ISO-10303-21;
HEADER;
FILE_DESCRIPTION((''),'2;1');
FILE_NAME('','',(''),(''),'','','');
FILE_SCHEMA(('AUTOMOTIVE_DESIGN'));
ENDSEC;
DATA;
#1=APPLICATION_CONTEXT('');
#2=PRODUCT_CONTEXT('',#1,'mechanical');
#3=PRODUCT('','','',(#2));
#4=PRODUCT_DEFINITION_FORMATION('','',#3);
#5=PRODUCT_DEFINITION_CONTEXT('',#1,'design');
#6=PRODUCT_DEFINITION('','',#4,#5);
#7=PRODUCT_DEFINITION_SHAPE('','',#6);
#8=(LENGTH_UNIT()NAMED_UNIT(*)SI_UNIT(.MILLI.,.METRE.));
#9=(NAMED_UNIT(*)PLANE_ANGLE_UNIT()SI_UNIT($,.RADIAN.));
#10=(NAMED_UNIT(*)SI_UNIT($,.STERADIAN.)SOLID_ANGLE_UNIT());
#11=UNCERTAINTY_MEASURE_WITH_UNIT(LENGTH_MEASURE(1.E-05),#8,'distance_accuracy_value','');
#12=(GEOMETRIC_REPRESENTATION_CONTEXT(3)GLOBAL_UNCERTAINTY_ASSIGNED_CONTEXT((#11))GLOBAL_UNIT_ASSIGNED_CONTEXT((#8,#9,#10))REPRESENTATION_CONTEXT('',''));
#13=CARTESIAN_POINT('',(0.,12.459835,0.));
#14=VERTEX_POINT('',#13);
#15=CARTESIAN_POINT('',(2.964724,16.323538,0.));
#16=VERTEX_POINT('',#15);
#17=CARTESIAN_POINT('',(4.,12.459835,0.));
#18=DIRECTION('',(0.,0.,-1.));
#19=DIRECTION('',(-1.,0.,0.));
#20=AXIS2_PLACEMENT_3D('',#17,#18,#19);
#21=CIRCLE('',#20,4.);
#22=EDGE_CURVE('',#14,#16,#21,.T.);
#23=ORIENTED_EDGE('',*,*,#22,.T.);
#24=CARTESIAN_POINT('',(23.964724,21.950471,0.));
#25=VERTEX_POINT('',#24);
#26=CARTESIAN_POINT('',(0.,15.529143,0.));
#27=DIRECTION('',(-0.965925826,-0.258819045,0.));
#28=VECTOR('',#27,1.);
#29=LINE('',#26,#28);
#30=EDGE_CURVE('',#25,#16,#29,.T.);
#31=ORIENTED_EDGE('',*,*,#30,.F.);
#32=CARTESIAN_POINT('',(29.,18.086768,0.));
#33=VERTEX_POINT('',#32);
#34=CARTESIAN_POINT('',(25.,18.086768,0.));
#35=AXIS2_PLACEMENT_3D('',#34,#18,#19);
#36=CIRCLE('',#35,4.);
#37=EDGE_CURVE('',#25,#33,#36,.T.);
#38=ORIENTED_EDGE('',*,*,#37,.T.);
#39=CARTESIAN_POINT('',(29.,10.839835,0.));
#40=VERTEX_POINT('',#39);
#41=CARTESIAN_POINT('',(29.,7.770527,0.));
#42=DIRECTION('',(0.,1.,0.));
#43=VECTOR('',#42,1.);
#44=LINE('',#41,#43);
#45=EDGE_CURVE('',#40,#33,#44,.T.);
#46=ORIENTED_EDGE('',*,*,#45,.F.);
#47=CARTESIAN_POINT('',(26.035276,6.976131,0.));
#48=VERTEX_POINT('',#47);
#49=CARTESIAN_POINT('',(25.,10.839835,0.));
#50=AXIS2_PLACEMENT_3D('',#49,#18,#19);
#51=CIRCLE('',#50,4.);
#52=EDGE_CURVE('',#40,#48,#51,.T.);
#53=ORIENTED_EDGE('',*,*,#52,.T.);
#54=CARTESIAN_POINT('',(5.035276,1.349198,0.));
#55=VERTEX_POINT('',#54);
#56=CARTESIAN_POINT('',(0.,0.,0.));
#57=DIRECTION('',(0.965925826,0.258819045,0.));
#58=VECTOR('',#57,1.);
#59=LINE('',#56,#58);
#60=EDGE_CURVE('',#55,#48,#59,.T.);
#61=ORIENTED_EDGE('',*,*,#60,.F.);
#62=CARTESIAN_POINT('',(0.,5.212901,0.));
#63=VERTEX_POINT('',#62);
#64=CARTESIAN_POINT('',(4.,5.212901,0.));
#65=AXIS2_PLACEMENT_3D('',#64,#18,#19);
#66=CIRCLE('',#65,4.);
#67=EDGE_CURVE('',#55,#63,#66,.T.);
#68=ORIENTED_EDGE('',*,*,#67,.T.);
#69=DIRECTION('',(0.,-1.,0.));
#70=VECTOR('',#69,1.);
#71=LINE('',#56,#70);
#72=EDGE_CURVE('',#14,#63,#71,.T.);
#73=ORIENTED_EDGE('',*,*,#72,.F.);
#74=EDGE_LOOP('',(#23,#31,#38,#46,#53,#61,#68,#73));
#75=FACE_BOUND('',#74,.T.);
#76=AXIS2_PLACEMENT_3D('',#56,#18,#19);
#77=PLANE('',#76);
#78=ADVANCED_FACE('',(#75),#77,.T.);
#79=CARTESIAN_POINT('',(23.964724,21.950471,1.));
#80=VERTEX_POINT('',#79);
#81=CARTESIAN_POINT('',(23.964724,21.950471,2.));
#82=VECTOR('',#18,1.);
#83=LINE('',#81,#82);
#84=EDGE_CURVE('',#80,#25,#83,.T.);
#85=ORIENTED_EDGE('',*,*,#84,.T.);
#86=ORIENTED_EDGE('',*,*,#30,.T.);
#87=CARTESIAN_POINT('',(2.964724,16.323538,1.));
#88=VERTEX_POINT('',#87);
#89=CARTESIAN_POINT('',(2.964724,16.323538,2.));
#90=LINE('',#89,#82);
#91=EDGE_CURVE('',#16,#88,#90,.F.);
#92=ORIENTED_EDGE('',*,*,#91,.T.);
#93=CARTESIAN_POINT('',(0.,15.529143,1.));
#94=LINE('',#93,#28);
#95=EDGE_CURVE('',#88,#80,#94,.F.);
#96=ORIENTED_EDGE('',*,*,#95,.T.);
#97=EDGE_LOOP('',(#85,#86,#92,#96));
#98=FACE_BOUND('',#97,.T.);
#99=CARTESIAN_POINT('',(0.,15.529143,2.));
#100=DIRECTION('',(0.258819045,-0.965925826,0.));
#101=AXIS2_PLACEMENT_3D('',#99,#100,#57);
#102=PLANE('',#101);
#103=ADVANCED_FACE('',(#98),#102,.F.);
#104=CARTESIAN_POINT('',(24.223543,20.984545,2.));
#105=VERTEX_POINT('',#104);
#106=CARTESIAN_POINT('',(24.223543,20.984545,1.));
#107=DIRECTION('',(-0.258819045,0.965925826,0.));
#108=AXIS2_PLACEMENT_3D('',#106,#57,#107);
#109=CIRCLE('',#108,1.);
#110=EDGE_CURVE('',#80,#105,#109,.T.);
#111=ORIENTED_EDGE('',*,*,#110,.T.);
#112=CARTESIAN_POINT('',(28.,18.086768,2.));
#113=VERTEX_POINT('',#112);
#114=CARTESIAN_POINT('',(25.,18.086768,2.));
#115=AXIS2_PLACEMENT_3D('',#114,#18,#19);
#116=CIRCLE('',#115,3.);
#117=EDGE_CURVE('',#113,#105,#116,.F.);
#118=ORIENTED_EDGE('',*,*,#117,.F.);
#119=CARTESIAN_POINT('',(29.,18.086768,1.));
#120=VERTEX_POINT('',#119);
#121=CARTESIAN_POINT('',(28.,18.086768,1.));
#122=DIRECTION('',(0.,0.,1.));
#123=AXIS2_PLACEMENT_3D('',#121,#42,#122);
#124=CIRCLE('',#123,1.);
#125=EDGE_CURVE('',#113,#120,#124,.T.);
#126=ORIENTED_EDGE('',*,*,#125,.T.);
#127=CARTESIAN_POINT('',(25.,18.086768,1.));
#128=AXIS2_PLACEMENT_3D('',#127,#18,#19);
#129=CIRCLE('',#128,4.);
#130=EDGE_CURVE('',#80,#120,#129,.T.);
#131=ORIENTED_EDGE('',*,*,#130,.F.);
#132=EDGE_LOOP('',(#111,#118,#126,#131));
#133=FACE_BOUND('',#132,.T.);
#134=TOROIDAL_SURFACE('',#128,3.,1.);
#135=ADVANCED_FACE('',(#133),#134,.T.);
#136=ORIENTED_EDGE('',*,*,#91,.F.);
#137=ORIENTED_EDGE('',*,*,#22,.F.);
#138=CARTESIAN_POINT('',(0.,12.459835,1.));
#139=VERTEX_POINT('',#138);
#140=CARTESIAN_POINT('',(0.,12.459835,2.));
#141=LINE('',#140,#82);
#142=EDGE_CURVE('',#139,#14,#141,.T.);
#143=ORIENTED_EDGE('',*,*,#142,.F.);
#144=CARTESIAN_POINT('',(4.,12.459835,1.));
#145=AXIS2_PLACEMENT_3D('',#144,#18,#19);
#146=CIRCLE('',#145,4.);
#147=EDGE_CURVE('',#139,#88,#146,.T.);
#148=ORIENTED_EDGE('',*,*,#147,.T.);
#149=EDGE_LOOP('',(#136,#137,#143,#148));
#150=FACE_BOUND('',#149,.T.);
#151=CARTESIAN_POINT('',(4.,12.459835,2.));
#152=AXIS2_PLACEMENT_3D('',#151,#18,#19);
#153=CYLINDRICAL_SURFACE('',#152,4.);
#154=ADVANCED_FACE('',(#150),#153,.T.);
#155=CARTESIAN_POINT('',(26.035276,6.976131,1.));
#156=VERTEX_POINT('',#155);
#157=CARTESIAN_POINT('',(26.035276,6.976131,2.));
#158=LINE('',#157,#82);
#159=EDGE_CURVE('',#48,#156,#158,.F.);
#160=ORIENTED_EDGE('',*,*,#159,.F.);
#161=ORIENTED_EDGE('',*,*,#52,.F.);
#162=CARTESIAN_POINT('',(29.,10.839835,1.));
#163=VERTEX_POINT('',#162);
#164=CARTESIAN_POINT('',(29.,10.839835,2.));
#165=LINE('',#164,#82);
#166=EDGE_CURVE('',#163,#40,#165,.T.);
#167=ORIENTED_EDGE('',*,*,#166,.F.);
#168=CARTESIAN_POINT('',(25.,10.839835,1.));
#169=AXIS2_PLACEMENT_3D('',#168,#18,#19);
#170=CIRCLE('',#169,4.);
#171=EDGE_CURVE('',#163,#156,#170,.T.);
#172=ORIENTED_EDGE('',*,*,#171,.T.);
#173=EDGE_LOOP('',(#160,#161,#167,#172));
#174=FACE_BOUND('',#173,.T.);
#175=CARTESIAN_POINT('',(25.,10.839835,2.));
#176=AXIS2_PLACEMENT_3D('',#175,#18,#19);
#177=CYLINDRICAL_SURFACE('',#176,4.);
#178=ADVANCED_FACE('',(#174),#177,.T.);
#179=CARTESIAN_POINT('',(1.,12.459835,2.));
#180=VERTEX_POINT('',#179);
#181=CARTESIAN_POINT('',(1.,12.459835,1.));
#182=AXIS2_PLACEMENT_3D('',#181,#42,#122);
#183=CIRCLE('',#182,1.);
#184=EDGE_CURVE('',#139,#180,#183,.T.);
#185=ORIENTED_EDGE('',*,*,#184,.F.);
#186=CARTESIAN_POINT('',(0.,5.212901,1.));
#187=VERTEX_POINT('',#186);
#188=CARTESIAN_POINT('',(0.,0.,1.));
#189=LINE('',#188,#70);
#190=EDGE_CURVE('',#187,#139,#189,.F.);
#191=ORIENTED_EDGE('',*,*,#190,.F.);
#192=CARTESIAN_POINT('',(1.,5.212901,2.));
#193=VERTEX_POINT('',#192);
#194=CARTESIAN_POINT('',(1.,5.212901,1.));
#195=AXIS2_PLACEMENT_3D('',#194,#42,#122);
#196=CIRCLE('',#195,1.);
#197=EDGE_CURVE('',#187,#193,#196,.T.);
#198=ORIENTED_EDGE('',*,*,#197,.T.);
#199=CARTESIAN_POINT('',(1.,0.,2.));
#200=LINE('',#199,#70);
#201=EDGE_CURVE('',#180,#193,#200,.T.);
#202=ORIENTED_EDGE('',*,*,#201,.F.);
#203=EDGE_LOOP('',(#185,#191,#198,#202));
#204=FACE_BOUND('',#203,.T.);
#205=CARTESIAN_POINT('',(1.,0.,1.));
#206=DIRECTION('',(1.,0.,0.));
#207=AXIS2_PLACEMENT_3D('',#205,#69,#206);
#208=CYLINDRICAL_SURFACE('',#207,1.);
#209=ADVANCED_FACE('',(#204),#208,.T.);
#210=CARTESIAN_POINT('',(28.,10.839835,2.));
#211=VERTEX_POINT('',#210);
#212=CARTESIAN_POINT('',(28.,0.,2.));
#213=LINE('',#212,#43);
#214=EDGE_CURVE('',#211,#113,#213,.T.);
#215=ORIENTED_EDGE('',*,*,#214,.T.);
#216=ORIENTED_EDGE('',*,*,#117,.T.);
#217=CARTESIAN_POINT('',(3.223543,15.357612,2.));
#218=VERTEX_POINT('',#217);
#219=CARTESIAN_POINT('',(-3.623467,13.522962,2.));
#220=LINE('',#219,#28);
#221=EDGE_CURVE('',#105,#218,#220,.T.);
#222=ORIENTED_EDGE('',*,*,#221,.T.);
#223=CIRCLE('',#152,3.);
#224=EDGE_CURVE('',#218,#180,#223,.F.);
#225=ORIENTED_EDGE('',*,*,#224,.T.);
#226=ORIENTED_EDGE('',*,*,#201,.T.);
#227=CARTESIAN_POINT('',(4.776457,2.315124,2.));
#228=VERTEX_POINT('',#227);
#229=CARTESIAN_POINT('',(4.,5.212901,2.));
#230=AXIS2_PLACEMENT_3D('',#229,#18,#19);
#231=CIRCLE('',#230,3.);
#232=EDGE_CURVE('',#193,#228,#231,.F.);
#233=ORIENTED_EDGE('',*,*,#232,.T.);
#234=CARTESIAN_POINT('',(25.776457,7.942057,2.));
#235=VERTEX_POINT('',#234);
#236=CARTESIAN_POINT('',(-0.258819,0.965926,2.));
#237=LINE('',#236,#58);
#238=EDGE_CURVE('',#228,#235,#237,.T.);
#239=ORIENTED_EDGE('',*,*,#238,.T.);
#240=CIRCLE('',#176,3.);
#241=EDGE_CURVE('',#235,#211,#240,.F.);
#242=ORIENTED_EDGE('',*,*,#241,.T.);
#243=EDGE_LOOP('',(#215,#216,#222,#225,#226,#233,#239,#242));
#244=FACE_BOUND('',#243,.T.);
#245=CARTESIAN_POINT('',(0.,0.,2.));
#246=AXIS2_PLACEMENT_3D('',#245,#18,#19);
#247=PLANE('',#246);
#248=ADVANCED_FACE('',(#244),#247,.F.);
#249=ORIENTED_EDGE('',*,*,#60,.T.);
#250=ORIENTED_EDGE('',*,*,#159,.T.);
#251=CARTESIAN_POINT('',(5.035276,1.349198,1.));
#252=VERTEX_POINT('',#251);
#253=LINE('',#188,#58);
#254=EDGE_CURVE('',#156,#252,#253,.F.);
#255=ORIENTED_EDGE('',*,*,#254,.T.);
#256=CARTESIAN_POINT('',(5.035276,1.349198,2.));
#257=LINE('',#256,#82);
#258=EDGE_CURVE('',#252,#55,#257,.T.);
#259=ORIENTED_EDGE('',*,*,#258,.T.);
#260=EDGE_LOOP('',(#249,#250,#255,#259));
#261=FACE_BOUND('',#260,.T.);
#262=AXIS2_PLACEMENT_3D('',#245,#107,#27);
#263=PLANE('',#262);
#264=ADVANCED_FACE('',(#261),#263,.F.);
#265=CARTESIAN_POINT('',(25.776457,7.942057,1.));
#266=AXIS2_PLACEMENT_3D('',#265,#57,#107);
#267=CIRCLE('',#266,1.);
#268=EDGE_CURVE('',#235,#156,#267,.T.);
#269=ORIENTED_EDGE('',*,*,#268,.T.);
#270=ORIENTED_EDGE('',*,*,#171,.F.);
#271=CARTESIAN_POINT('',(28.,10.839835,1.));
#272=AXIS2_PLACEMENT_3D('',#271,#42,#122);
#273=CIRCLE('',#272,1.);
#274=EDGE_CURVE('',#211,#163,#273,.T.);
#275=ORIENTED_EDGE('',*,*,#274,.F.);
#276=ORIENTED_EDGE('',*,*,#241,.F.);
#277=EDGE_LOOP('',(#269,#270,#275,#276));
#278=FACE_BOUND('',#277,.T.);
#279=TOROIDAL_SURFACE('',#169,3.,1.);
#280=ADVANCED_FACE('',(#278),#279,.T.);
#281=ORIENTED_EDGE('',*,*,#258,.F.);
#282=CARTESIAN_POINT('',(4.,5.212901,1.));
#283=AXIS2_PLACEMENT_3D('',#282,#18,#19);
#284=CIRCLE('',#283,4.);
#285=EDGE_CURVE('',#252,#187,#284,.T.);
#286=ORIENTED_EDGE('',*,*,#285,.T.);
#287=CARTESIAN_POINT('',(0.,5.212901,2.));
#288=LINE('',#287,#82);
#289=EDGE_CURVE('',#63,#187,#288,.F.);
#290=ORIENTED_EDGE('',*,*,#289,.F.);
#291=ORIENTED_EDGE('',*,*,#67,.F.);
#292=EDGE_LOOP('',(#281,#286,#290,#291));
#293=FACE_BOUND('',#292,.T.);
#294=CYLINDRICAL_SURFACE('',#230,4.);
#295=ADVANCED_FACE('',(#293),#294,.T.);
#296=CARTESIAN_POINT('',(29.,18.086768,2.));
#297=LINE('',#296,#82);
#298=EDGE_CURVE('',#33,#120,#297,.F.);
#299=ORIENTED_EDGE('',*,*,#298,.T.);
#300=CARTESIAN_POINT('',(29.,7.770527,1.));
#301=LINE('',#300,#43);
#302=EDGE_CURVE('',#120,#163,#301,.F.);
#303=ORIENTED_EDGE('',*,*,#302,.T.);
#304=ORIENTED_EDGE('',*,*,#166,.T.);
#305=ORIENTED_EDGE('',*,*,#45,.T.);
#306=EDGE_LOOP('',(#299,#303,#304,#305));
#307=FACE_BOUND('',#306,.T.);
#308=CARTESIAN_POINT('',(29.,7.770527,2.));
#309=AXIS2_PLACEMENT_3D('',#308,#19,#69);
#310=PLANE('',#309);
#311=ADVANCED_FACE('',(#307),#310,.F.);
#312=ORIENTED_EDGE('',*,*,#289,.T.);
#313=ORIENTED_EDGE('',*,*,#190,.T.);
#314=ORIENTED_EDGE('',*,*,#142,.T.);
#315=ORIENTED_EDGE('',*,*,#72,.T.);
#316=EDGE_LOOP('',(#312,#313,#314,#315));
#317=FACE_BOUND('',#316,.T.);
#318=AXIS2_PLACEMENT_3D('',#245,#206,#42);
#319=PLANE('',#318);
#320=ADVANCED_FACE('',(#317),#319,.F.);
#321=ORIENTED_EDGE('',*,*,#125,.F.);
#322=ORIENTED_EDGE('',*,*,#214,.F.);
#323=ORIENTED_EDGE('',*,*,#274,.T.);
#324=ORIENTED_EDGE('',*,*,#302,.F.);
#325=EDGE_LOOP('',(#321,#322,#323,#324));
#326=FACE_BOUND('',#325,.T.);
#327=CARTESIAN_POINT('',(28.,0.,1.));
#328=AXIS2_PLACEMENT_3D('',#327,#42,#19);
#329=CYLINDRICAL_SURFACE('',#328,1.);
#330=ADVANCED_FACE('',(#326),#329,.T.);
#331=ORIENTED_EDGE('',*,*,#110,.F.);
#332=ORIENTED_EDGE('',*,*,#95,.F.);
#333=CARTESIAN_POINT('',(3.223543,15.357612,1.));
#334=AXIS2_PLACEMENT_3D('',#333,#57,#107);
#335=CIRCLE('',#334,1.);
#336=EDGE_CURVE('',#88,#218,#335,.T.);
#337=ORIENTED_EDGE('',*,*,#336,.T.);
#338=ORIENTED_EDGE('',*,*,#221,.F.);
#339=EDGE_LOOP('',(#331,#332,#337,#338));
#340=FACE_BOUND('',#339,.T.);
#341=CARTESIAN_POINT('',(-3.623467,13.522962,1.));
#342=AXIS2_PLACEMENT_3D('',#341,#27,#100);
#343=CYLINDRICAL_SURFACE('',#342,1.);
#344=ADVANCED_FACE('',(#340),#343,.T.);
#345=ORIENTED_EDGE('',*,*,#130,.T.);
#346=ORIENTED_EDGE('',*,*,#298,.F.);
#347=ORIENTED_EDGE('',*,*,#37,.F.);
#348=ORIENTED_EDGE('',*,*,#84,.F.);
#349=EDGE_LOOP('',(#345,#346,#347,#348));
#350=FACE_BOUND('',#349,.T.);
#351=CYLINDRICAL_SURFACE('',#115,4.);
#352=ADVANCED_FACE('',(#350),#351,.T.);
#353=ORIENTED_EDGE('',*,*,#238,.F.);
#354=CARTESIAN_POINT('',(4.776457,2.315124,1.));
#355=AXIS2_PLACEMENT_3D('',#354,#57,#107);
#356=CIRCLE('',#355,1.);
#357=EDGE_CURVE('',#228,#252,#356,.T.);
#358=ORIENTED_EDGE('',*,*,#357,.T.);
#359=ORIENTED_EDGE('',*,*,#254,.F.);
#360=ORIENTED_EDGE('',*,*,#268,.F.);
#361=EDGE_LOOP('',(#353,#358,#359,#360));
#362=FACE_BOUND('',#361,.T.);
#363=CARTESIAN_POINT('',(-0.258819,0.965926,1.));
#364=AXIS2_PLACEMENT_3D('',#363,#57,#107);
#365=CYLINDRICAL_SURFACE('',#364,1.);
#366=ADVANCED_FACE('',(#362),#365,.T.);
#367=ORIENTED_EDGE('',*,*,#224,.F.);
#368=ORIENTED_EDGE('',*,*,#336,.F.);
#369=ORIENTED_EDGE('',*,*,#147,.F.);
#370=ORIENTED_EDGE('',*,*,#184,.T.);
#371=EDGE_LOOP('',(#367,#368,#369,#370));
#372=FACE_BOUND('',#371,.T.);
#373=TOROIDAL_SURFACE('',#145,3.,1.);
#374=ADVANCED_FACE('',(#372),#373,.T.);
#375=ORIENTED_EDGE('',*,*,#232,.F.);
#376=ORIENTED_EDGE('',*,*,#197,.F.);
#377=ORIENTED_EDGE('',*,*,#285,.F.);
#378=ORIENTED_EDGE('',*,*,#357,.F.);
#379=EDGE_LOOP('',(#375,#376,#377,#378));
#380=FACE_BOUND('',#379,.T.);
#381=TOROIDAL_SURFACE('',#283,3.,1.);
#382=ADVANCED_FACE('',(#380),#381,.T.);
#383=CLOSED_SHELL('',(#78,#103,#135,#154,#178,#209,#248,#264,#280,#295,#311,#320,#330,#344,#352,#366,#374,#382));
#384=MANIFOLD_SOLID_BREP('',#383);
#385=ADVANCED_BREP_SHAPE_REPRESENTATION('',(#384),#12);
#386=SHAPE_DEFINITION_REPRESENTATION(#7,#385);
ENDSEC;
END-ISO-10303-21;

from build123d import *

# Parameters (mm, degrees)
EXTRUDE_1_DEPTH = 2
FILLET_1_R      = 4
FILLET_2_R      = 1


with BuildPart() as part:
    # Эскиз1 → Бобышка-Вытянуть1 (new body)
    with BuildSketch(Plane.XY):
        Polygon((0, 0), (29, 7.770526581), (29, 23.299669287), (0, 15.529142706), align=None)
    extrude(amount=EXTRUDE_1_DEPTH)

    # Скругление1
    fillet_1_edges = [part.edges().sort_by_distance(p)[0] for p in [
        (0, 15.529142706, 1),
        (29, 23.299669287, 1),
        (29, 7.770526581, 1),
        (0, 0, 1),
    ]]
    fillet(fillet_1_edges, radius=FILLET_1_R)

    # Скругление2
    fillet_2_edges = [part.edges().sort_by_distance(p)[0] for p in [
        (0, 8.836368123, 2),
        (13.46472382, 19.13700458, 2),
        (15.53527618, 4.162664707, 2),
        (29, 14.463301164, 2),
        (27.435045716, 21.260181156, 2),
        (28.173413361, 8.404788816, 2),
        (1.564954284, 2.03948813, 2),
        (0.826586639, 14.89488047, 2),
    ]]
    fillet(fillet_2_edges, radius=FILLET_2_R)


solid = part.part
